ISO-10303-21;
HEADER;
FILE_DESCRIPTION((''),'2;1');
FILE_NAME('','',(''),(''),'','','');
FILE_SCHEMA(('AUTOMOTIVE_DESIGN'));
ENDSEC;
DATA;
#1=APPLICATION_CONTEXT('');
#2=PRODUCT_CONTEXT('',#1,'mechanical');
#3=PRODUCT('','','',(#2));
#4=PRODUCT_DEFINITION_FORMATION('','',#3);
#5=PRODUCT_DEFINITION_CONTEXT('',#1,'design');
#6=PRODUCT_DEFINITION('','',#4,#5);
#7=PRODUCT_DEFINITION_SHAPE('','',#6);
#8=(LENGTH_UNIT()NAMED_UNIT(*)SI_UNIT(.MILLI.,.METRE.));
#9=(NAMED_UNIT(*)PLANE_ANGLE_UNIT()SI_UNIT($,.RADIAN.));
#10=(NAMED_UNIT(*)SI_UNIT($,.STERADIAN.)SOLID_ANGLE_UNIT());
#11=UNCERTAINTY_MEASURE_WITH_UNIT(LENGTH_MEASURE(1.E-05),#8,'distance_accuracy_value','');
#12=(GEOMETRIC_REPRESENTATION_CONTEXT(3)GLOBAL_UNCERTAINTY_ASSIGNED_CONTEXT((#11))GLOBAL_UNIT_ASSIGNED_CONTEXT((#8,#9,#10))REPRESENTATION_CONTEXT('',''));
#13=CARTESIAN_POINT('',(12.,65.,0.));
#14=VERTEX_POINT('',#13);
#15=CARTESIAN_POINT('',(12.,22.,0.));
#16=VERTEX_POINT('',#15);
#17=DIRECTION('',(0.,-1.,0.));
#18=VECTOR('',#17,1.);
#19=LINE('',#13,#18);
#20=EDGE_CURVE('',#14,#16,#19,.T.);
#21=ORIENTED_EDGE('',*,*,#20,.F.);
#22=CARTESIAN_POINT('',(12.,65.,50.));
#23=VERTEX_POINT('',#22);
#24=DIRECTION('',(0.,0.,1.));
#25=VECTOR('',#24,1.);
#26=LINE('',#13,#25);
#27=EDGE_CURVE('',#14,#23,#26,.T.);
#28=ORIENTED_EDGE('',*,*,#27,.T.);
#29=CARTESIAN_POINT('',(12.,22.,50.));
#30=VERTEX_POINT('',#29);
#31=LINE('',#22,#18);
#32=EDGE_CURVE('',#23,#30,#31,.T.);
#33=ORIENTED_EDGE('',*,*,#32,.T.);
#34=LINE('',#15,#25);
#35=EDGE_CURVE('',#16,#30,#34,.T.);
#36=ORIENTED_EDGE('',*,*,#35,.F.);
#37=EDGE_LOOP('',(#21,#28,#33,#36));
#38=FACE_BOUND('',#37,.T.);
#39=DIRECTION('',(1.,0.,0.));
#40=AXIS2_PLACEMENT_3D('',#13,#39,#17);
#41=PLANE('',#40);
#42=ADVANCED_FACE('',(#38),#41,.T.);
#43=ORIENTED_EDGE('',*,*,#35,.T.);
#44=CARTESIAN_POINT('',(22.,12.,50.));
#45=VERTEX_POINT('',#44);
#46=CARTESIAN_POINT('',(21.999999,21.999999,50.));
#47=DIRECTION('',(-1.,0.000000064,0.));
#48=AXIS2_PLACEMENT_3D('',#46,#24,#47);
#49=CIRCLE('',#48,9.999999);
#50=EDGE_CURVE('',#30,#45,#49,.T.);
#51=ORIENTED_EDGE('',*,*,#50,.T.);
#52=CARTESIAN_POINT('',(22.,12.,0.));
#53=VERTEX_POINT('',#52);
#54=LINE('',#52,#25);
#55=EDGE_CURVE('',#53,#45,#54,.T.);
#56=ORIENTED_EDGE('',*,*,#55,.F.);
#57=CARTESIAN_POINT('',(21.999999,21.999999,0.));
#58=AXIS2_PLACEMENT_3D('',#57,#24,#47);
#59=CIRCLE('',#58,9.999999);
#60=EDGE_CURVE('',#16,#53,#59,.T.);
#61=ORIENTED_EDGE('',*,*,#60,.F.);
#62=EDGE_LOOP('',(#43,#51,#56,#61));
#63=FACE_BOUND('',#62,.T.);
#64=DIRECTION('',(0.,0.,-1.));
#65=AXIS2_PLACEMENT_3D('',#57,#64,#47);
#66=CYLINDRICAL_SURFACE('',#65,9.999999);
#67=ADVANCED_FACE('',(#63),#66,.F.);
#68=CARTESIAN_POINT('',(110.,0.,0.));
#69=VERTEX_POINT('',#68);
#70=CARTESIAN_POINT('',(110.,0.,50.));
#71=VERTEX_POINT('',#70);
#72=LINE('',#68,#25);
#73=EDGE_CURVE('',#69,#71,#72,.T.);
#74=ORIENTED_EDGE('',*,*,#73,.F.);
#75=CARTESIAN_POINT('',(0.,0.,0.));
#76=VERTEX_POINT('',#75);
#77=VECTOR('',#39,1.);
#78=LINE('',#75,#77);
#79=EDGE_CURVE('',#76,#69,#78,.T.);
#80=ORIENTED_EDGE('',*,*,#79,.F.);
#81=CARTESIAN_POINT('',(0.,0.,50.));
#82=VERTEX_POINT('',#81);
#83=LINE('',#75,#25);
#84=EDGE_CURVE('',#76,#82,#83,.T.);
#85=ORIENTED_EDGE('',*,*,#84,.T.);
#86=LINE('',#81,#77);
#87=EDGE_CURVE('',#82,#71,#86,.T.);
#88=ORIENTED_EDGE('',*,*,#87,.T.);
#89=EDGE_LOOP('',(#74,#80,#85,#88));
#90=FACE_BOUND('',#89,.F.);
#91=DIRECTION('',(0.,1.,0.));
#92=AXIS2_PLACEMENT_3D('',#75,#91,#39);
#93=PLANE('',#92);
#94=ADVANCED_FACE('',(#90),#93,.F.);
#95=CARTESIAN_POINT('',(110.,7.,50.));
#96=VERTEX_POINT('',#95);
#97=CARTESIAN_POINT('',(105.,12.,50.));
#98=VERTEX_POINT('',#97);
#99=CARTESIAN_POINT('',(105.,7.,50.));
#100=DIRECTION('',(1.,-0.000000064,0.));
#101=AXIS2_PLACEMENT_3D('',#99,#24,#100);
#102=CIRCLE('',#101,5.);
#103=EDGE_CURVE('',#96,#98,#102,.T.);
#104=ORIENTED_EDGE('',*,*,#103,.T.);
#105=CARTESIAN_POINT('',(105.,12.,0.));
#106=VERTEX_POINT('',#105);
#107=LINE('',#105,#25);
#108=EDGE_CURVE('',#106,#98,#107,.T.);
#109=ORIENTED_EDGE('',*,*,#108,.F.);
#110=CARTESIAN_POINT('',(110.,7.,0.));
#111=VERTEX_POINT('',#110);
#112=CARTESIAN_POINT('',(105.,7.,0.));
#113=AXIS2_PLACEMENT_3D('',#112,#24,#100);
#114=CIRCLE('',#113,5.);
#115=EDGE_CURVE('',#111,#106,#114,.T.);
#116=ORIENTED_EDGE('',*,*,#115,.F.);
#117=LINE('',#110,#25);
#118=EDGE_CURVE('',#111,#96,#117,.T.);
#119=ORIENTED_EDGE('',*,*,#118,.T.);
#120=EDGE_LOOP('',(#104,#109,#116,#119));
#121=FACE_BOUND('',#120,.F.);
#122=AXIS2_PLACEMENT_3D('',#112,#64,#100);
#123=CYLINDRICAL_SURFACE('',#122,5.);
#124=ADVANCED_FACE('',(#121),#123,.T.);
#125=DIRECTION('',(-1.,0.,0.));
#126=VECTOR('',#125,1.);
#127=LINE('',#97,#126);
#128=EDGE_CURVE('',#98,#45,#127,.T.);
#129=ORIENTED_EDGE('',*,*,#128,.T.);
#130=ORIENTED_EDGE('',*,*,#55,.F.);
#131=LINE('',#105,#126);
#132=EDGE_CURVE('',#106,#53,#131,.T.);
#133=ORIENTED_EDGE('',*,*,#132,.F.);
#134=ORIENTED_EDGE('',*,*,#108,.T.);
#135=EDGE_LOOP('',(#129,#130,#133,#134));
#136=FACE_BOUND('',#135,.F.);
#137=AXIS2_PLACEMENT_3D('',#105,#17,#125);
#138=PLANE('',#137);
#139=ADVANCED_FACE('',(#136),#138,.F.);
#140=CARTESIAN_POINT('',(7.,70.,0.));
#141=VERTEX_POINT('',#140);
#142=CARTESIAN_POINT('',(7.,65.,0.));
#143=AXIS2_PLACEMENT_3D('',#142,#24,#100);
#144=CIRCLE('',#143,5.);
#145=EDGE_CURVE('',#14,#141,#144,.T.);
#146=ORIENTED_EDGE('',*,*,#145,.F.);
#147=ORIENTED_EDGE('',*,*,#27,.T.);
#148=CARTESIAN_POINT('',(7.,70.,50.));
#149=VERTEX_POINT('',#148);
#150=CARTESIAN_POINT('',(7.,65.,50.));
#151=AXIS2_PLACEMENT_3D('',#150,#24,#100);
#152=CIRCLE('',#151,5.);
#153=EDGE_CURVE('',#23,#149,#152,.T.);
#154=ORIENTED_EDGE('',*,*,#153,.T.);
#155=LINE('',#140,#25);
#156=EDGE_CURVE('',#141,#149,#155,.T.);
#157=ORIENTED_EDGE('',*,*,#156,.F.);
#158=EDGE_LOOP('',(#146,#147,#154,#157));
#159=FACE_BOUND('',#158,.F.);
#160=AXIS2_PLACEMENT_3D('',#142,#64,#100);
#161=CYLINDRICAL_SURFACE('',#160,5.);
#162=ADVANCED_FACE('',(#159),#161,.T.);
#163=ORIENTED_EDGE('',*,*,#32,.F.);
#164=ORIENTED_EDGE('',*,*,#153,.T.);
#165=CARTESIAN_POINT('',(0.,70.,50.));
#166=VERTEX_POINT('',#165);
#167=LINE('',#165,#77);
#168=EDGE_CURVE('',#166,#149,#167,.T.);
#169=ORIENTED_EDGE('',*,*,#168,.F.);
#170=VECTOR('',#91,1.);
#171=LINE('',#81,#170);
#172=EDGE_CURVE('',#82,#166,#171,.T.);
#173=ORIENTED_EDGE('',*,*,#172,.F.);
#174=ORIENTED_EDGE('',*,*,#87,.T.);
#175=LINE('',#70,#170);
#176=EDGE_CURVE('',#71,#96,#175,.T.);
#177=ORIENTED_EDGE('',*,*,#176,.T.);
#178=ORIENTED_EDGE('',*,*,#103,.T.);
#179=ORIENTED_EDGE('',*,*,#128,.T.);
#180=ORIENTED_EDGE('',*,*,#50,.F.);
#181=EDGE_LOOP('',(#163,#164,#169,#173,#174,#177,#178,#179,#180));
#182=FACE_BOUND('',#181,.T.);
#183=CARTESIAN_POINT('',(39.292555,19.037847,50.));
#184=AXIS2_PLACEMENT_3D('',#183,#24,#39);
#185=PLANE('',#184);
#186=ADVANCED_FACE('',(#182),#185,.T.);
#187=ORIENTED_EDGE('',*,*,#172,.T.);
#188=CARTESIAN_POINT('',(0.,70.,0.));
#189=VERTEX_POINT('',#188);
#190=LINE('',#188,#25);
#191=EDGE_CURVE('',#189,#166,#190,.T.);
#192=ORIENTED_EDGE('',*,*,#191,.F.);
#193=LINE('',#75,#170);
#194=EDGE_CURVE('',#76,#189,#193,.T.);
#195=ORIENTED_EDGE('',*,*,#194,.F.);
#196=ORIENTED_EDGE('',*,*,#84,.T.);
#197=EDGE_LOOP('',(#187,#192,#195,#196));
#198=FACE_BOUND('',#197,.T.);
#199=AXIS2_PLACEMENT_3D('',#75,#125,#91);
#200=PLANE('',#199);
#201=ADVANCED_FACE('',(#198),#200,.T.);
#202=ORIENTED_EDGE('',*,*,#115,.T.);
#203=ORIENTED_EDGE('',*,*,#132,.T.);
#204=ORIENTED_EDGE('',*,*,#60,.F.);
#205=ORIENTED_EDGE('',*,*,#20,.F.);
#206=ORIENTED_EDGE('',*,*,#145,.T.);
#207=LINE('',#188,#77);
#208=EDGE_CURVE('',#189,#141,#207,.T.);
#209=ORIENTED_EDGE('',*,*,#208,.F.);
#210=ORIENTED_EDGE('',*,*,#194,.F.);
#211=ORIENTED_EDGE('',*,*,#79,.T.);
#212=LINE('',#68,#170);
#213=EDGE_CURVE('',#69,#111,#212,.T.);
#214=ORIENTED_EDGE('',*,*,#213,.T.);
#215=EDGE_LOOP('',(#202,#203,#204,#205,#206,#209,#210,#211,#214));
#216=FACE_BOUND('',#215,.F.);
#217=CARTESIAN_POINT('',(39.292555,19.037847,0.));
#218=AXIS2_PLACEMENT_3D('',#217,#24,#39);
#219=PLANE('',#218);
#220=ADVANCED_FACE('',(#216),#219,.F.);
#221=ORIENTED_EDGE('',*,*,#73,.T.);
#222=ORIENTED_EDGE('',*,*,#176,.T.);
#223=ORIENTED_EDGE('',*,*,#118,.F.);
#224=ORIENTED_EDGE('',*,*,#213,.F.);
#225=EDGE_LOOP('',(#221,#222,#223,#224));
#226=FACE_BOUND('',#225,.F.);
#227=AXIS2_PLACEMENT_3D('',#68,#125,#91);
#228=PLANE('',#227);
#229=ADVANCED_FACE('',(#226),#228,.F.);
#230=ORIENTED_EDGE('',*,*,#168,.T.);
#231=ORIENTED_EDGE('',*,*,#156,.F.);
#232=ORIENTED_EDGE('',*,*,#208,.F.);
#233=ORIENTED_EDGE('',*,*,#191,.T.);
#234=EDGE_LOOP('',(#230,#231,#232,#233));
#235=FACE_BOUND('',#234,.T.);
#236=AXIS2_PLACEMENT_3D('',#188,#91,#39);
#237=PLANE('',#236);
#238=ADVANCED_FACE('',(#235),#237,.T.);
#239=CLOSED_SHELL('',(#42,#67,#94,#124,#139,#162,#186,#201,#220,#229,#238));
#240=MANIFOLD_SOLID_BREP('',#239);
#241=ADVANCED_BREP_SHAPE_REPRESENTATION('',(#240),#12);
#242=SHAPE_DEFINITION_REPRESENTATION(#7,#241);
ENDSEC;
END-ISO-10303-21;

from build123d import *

# Parameters (mm, degrees)
EXTRUDE_DEPTH = 50


with BuildPart() as part:
    # Sketch → Extrude (new body)
    with BuildSketch(Plane.XY):
        with BuildLine():
            Line((0, 0), (110, 0))
            Line((110, 0), (110, 7))
            ThreePointArc((110, 7), (108.535534, 10.535534), (105, 12))
            Line((105, 12), (22, 12))
            ThreePointArc((12, 22), (14.928932, 14.928932), (22, 12))
            Line((12, 65), (12, 22))
            ThreePointArc((12, 65), (10.535534, 68.535534), (7, 70))
            Line((0, 70), (7, 70))
            Line((0, 0), (0, 70))
        make_face()
    extrude(amount=EXTRUDE_DEPTH)


solid = part.part
